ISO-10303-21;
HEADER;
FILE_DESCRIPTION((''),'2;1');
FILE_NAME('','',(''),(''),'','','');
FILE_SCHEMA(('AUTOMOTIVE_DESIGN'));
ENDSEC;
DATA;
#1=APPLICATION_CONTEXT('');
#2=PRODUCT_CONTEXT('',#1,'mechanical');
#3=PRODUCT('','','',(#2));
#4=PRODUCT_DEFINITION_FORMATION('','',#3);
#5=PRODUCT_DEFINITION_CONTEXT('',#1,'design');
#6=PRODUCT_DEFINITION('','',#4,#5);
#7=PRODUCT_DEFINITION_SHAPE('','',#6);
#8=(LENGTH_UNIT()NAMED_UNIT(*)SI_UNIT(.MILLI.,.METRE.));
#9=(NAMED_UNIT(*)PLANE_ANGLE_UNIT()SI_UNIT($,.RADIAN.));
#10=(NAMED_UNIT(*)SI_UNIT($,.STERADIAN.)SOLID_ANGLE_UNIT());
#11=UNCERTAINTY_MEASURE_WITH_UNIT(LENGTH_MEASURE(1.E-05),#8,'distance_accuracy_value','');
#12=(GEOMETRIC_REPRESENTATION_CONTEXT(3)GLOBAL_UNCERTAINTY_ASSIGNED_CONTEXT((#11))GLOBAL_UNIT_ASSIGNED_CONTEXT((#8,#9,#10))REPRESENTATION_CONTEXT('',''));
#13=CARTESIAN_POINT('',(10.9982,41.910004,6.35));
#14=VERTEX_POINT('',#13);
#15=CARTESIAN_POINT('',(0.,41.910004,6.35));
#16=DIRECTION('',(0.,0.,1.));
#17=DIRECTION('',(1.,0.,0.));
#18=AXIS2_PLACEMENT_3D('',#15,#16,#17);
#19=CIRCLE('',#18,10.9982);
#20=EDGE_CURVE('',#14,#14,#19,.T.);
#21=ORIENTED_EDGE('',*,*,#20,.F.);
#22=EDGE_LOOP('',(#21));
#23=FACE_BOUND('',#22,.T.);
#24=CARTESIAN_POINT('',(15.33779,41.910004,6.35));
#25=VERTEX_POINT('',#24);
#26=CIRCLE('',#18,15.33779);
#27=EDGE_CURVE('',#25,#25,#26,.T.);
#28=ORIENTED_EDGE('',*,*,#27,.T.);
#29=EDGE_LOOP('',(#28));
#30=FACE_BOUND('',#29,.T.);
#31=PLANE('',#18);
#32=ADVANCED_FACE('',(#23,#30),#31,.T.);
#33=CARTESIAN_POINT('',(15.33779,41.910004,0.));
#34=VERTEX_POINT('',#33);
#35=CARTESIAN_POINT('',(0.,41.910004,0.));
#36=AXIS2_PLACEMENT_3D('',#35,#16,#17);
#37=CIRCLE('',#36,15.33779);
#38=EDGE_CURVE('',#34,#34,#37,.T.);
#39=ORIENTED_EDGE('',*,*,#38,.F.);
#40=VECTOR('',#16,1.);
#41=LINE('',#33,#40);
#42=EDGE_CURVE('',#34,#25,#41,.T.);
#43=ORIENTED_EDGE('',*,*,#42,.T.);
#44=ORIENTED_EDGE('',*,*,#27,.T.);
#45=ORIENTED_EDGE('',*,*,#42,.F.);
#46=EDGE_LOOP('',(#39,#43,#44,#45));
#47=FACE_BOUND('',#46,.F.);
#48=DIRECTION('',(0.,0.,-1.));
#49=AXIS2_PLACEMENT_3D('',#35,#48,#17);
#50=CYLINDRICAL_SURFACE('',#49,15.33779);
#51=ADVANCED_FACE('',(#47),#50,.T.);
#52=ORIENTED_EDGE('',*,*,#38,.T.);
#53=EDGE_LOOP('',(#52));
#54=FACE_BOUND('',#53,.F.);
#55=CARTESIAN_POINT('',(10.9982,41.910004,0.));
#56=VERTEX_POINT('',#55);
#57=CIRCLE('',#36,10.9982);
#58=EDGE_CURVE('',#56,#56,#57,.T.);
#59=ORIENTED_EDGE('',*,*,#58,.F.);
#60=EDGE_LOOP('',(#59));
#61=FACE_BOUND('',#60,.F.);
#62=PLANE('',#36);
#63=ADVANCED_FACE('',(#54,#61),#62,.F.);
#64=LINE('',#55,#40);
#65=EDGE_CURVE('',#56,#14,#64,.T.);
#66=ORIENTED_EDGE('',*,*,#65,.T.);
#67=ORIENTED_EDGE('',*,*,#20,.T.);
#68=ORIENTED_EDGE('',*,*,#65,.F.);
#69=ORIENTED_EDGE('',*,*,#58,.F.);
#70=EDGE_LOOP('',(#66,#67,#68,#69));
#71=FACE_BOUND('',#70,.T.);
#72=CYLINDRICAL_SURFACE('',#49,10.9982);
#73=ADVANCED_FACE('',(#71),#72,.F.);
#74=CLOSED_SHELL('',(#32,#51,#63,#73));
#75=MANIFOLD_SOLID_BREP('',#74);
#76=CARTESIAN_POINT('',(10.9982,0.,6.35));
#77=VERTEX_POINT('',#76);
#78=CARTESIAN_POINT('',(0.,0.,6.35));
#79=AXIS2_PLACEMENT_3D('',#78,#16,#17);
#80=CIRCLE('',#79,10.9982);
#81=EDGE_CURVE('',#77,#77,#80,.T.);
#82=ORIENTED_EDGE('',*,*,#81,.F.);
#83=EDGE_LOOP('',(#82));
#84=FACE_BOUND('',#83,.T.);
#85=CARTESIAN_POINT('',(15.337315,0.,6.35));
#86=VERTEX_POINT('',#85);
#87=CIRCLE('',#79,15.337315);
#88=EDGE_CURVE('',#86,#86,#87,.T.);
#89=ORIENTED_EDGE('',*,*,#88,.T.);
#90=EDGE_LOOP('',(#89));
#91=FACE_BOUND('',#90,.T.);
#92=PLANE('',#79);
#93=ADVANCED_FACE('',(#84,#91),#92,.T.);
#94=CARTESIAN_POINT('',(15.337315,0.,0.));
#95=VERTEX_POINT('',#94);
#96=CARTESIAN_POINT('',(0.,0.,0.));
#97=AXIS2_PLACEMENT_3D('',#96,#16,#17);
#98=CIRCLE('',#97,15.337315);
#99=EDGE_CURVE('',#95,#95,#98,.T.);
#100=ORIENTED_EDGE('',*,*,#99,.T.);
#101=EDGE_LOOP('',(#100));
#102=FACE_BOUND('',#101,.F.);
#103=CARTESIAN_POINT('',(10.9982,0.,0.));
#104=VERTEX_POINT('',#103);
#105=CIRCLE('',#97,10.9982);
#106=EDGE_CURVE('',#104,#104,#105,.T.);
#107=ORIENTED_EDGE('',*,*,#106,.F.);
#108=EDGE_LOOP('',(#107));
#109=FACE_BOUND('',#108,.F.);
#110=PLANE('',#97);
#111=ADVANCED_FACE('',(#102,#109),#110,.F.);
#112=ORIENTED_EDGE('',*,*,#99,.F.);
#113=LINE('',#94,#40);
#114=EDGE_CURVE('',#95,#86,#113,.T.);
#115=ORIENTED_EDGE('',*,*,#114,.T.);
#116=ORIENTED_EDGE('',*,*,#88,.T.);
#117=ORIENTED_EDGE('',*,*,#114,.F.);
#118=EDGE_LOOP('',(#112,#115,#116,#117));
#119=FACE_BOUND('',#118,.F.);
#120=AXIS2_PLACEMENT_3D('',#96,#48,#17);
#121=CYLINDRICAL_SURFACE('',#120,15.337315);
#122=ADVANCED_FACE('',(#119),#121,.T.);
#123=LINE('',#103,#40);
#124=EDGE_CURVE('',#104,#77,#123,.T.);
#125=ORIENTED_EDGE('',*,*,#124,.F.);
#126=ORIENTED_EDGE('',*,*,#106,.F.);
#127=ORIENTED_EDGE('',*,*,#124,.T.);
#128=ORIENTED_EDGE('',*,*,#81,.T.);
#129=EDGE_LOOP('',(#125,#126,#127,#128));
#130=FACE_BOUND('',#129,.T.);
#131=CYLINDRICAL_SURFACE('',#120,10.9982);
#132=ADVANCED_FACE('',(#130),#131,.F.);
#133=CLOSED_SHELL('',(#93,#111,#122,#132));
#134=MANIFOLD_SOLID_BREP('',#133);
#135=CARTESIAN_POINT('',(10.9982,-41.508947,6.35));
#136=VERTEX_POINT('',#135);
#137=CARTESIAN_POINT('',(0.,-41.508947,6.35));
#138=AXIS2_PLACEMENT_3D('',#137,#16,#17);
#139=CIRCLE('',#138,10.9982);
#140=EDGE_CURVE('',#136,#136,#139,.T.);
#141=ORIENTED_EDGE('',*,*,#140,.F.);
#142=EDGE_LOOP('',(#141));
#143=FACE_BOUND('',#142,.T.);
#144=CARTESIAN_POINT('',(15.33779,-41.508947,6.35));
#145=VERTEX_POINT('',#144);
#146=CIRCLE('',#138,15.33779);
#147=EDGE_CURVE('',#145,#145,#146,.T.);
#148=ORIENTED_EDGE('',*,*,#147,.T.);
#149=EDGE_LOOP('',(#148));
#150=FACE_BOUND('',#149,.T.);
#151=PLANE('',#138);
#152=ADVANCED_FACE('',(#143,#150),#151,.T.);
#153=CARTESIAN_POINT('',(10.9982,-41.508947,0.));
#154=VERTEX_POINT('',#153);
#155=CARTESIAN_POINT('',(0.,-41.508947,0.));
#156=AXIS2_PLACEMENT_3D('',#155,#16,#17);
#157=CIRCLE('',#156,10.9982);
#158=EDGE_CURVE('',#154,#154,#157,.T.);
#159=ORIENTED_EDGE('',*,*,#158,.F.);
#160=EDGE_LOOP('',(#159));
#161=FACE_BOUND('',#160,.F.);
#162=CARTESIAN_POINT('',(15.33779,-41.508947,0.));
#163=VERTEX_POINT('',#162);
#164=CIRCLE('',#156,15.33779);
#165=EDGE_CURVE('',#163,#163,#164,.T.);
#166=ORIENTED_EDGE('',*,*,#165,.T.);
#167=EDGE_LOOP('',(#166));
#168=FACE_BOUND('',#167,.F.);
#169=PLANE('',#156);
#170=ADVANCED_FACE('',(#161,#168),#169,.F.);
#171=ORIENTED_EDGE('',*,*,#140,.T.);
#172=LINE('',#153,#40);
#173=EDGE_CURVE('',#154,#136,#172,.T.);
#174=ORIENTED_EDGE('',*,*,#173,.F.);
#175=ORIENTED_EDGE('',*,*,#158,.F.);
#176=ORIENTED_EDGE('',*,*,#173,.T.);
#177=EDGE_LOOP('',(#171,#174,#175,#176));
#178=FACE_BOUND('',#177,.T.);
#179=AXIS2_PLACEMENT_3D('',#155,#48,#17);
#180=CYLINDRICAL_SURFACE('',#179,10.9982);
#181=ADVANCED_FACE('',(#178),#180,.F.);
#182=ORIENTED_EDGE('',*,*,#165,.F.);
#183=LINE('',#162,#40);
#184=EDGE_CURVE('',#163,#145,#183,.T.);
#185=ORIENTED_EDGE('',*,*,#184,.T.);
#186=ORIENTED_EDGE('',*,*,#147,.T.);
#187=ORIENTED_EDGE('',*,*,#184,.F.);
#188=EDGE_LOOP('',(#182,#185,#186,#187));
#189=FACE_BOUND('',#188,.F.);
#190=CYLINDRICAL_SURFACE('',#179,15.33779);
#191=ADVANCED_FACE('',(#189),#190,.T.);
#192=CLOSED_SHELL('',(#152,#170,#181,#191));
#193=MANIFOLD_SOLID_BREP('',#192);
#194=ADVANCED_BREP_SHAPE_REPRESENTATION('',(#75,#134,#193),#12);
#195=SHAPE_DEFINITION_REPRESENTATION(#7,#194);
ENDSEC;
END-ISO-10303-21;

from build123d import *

# Parameters (mm, degrees)
F1_R     = 15.337315
F1_R_2   = 10.9982
F2_R     = 15.33779
F2_R_2   = 10.9982
F3_DEPTH = 6.35


with BuildPart() as f3:
    # F1 (on face) + F2 (on Top) → F3 (new body)
    with BuildSketch(Plane.XY):
        Circle(F1_R)
        Circle(F1_R_2, mode=Mode.SUBTRACT)
    with BuildSketch(Plane.XY):
        with Locations((0, 41.910004)):
            Circle(F2_R)
        with Locations((0, 41.910004)):
            Circle(F2_R_2, mode=Mode.SUBTRACT)
        with Locations((0, -41.508947)):
            Circle(F2_R)
        with Locations((0, -41.508947)):
            Circle(F2_R_2, mode=Mode.SUBTRACT)
    extrude(amount=F3_DEPTH)


solid = f3.part
